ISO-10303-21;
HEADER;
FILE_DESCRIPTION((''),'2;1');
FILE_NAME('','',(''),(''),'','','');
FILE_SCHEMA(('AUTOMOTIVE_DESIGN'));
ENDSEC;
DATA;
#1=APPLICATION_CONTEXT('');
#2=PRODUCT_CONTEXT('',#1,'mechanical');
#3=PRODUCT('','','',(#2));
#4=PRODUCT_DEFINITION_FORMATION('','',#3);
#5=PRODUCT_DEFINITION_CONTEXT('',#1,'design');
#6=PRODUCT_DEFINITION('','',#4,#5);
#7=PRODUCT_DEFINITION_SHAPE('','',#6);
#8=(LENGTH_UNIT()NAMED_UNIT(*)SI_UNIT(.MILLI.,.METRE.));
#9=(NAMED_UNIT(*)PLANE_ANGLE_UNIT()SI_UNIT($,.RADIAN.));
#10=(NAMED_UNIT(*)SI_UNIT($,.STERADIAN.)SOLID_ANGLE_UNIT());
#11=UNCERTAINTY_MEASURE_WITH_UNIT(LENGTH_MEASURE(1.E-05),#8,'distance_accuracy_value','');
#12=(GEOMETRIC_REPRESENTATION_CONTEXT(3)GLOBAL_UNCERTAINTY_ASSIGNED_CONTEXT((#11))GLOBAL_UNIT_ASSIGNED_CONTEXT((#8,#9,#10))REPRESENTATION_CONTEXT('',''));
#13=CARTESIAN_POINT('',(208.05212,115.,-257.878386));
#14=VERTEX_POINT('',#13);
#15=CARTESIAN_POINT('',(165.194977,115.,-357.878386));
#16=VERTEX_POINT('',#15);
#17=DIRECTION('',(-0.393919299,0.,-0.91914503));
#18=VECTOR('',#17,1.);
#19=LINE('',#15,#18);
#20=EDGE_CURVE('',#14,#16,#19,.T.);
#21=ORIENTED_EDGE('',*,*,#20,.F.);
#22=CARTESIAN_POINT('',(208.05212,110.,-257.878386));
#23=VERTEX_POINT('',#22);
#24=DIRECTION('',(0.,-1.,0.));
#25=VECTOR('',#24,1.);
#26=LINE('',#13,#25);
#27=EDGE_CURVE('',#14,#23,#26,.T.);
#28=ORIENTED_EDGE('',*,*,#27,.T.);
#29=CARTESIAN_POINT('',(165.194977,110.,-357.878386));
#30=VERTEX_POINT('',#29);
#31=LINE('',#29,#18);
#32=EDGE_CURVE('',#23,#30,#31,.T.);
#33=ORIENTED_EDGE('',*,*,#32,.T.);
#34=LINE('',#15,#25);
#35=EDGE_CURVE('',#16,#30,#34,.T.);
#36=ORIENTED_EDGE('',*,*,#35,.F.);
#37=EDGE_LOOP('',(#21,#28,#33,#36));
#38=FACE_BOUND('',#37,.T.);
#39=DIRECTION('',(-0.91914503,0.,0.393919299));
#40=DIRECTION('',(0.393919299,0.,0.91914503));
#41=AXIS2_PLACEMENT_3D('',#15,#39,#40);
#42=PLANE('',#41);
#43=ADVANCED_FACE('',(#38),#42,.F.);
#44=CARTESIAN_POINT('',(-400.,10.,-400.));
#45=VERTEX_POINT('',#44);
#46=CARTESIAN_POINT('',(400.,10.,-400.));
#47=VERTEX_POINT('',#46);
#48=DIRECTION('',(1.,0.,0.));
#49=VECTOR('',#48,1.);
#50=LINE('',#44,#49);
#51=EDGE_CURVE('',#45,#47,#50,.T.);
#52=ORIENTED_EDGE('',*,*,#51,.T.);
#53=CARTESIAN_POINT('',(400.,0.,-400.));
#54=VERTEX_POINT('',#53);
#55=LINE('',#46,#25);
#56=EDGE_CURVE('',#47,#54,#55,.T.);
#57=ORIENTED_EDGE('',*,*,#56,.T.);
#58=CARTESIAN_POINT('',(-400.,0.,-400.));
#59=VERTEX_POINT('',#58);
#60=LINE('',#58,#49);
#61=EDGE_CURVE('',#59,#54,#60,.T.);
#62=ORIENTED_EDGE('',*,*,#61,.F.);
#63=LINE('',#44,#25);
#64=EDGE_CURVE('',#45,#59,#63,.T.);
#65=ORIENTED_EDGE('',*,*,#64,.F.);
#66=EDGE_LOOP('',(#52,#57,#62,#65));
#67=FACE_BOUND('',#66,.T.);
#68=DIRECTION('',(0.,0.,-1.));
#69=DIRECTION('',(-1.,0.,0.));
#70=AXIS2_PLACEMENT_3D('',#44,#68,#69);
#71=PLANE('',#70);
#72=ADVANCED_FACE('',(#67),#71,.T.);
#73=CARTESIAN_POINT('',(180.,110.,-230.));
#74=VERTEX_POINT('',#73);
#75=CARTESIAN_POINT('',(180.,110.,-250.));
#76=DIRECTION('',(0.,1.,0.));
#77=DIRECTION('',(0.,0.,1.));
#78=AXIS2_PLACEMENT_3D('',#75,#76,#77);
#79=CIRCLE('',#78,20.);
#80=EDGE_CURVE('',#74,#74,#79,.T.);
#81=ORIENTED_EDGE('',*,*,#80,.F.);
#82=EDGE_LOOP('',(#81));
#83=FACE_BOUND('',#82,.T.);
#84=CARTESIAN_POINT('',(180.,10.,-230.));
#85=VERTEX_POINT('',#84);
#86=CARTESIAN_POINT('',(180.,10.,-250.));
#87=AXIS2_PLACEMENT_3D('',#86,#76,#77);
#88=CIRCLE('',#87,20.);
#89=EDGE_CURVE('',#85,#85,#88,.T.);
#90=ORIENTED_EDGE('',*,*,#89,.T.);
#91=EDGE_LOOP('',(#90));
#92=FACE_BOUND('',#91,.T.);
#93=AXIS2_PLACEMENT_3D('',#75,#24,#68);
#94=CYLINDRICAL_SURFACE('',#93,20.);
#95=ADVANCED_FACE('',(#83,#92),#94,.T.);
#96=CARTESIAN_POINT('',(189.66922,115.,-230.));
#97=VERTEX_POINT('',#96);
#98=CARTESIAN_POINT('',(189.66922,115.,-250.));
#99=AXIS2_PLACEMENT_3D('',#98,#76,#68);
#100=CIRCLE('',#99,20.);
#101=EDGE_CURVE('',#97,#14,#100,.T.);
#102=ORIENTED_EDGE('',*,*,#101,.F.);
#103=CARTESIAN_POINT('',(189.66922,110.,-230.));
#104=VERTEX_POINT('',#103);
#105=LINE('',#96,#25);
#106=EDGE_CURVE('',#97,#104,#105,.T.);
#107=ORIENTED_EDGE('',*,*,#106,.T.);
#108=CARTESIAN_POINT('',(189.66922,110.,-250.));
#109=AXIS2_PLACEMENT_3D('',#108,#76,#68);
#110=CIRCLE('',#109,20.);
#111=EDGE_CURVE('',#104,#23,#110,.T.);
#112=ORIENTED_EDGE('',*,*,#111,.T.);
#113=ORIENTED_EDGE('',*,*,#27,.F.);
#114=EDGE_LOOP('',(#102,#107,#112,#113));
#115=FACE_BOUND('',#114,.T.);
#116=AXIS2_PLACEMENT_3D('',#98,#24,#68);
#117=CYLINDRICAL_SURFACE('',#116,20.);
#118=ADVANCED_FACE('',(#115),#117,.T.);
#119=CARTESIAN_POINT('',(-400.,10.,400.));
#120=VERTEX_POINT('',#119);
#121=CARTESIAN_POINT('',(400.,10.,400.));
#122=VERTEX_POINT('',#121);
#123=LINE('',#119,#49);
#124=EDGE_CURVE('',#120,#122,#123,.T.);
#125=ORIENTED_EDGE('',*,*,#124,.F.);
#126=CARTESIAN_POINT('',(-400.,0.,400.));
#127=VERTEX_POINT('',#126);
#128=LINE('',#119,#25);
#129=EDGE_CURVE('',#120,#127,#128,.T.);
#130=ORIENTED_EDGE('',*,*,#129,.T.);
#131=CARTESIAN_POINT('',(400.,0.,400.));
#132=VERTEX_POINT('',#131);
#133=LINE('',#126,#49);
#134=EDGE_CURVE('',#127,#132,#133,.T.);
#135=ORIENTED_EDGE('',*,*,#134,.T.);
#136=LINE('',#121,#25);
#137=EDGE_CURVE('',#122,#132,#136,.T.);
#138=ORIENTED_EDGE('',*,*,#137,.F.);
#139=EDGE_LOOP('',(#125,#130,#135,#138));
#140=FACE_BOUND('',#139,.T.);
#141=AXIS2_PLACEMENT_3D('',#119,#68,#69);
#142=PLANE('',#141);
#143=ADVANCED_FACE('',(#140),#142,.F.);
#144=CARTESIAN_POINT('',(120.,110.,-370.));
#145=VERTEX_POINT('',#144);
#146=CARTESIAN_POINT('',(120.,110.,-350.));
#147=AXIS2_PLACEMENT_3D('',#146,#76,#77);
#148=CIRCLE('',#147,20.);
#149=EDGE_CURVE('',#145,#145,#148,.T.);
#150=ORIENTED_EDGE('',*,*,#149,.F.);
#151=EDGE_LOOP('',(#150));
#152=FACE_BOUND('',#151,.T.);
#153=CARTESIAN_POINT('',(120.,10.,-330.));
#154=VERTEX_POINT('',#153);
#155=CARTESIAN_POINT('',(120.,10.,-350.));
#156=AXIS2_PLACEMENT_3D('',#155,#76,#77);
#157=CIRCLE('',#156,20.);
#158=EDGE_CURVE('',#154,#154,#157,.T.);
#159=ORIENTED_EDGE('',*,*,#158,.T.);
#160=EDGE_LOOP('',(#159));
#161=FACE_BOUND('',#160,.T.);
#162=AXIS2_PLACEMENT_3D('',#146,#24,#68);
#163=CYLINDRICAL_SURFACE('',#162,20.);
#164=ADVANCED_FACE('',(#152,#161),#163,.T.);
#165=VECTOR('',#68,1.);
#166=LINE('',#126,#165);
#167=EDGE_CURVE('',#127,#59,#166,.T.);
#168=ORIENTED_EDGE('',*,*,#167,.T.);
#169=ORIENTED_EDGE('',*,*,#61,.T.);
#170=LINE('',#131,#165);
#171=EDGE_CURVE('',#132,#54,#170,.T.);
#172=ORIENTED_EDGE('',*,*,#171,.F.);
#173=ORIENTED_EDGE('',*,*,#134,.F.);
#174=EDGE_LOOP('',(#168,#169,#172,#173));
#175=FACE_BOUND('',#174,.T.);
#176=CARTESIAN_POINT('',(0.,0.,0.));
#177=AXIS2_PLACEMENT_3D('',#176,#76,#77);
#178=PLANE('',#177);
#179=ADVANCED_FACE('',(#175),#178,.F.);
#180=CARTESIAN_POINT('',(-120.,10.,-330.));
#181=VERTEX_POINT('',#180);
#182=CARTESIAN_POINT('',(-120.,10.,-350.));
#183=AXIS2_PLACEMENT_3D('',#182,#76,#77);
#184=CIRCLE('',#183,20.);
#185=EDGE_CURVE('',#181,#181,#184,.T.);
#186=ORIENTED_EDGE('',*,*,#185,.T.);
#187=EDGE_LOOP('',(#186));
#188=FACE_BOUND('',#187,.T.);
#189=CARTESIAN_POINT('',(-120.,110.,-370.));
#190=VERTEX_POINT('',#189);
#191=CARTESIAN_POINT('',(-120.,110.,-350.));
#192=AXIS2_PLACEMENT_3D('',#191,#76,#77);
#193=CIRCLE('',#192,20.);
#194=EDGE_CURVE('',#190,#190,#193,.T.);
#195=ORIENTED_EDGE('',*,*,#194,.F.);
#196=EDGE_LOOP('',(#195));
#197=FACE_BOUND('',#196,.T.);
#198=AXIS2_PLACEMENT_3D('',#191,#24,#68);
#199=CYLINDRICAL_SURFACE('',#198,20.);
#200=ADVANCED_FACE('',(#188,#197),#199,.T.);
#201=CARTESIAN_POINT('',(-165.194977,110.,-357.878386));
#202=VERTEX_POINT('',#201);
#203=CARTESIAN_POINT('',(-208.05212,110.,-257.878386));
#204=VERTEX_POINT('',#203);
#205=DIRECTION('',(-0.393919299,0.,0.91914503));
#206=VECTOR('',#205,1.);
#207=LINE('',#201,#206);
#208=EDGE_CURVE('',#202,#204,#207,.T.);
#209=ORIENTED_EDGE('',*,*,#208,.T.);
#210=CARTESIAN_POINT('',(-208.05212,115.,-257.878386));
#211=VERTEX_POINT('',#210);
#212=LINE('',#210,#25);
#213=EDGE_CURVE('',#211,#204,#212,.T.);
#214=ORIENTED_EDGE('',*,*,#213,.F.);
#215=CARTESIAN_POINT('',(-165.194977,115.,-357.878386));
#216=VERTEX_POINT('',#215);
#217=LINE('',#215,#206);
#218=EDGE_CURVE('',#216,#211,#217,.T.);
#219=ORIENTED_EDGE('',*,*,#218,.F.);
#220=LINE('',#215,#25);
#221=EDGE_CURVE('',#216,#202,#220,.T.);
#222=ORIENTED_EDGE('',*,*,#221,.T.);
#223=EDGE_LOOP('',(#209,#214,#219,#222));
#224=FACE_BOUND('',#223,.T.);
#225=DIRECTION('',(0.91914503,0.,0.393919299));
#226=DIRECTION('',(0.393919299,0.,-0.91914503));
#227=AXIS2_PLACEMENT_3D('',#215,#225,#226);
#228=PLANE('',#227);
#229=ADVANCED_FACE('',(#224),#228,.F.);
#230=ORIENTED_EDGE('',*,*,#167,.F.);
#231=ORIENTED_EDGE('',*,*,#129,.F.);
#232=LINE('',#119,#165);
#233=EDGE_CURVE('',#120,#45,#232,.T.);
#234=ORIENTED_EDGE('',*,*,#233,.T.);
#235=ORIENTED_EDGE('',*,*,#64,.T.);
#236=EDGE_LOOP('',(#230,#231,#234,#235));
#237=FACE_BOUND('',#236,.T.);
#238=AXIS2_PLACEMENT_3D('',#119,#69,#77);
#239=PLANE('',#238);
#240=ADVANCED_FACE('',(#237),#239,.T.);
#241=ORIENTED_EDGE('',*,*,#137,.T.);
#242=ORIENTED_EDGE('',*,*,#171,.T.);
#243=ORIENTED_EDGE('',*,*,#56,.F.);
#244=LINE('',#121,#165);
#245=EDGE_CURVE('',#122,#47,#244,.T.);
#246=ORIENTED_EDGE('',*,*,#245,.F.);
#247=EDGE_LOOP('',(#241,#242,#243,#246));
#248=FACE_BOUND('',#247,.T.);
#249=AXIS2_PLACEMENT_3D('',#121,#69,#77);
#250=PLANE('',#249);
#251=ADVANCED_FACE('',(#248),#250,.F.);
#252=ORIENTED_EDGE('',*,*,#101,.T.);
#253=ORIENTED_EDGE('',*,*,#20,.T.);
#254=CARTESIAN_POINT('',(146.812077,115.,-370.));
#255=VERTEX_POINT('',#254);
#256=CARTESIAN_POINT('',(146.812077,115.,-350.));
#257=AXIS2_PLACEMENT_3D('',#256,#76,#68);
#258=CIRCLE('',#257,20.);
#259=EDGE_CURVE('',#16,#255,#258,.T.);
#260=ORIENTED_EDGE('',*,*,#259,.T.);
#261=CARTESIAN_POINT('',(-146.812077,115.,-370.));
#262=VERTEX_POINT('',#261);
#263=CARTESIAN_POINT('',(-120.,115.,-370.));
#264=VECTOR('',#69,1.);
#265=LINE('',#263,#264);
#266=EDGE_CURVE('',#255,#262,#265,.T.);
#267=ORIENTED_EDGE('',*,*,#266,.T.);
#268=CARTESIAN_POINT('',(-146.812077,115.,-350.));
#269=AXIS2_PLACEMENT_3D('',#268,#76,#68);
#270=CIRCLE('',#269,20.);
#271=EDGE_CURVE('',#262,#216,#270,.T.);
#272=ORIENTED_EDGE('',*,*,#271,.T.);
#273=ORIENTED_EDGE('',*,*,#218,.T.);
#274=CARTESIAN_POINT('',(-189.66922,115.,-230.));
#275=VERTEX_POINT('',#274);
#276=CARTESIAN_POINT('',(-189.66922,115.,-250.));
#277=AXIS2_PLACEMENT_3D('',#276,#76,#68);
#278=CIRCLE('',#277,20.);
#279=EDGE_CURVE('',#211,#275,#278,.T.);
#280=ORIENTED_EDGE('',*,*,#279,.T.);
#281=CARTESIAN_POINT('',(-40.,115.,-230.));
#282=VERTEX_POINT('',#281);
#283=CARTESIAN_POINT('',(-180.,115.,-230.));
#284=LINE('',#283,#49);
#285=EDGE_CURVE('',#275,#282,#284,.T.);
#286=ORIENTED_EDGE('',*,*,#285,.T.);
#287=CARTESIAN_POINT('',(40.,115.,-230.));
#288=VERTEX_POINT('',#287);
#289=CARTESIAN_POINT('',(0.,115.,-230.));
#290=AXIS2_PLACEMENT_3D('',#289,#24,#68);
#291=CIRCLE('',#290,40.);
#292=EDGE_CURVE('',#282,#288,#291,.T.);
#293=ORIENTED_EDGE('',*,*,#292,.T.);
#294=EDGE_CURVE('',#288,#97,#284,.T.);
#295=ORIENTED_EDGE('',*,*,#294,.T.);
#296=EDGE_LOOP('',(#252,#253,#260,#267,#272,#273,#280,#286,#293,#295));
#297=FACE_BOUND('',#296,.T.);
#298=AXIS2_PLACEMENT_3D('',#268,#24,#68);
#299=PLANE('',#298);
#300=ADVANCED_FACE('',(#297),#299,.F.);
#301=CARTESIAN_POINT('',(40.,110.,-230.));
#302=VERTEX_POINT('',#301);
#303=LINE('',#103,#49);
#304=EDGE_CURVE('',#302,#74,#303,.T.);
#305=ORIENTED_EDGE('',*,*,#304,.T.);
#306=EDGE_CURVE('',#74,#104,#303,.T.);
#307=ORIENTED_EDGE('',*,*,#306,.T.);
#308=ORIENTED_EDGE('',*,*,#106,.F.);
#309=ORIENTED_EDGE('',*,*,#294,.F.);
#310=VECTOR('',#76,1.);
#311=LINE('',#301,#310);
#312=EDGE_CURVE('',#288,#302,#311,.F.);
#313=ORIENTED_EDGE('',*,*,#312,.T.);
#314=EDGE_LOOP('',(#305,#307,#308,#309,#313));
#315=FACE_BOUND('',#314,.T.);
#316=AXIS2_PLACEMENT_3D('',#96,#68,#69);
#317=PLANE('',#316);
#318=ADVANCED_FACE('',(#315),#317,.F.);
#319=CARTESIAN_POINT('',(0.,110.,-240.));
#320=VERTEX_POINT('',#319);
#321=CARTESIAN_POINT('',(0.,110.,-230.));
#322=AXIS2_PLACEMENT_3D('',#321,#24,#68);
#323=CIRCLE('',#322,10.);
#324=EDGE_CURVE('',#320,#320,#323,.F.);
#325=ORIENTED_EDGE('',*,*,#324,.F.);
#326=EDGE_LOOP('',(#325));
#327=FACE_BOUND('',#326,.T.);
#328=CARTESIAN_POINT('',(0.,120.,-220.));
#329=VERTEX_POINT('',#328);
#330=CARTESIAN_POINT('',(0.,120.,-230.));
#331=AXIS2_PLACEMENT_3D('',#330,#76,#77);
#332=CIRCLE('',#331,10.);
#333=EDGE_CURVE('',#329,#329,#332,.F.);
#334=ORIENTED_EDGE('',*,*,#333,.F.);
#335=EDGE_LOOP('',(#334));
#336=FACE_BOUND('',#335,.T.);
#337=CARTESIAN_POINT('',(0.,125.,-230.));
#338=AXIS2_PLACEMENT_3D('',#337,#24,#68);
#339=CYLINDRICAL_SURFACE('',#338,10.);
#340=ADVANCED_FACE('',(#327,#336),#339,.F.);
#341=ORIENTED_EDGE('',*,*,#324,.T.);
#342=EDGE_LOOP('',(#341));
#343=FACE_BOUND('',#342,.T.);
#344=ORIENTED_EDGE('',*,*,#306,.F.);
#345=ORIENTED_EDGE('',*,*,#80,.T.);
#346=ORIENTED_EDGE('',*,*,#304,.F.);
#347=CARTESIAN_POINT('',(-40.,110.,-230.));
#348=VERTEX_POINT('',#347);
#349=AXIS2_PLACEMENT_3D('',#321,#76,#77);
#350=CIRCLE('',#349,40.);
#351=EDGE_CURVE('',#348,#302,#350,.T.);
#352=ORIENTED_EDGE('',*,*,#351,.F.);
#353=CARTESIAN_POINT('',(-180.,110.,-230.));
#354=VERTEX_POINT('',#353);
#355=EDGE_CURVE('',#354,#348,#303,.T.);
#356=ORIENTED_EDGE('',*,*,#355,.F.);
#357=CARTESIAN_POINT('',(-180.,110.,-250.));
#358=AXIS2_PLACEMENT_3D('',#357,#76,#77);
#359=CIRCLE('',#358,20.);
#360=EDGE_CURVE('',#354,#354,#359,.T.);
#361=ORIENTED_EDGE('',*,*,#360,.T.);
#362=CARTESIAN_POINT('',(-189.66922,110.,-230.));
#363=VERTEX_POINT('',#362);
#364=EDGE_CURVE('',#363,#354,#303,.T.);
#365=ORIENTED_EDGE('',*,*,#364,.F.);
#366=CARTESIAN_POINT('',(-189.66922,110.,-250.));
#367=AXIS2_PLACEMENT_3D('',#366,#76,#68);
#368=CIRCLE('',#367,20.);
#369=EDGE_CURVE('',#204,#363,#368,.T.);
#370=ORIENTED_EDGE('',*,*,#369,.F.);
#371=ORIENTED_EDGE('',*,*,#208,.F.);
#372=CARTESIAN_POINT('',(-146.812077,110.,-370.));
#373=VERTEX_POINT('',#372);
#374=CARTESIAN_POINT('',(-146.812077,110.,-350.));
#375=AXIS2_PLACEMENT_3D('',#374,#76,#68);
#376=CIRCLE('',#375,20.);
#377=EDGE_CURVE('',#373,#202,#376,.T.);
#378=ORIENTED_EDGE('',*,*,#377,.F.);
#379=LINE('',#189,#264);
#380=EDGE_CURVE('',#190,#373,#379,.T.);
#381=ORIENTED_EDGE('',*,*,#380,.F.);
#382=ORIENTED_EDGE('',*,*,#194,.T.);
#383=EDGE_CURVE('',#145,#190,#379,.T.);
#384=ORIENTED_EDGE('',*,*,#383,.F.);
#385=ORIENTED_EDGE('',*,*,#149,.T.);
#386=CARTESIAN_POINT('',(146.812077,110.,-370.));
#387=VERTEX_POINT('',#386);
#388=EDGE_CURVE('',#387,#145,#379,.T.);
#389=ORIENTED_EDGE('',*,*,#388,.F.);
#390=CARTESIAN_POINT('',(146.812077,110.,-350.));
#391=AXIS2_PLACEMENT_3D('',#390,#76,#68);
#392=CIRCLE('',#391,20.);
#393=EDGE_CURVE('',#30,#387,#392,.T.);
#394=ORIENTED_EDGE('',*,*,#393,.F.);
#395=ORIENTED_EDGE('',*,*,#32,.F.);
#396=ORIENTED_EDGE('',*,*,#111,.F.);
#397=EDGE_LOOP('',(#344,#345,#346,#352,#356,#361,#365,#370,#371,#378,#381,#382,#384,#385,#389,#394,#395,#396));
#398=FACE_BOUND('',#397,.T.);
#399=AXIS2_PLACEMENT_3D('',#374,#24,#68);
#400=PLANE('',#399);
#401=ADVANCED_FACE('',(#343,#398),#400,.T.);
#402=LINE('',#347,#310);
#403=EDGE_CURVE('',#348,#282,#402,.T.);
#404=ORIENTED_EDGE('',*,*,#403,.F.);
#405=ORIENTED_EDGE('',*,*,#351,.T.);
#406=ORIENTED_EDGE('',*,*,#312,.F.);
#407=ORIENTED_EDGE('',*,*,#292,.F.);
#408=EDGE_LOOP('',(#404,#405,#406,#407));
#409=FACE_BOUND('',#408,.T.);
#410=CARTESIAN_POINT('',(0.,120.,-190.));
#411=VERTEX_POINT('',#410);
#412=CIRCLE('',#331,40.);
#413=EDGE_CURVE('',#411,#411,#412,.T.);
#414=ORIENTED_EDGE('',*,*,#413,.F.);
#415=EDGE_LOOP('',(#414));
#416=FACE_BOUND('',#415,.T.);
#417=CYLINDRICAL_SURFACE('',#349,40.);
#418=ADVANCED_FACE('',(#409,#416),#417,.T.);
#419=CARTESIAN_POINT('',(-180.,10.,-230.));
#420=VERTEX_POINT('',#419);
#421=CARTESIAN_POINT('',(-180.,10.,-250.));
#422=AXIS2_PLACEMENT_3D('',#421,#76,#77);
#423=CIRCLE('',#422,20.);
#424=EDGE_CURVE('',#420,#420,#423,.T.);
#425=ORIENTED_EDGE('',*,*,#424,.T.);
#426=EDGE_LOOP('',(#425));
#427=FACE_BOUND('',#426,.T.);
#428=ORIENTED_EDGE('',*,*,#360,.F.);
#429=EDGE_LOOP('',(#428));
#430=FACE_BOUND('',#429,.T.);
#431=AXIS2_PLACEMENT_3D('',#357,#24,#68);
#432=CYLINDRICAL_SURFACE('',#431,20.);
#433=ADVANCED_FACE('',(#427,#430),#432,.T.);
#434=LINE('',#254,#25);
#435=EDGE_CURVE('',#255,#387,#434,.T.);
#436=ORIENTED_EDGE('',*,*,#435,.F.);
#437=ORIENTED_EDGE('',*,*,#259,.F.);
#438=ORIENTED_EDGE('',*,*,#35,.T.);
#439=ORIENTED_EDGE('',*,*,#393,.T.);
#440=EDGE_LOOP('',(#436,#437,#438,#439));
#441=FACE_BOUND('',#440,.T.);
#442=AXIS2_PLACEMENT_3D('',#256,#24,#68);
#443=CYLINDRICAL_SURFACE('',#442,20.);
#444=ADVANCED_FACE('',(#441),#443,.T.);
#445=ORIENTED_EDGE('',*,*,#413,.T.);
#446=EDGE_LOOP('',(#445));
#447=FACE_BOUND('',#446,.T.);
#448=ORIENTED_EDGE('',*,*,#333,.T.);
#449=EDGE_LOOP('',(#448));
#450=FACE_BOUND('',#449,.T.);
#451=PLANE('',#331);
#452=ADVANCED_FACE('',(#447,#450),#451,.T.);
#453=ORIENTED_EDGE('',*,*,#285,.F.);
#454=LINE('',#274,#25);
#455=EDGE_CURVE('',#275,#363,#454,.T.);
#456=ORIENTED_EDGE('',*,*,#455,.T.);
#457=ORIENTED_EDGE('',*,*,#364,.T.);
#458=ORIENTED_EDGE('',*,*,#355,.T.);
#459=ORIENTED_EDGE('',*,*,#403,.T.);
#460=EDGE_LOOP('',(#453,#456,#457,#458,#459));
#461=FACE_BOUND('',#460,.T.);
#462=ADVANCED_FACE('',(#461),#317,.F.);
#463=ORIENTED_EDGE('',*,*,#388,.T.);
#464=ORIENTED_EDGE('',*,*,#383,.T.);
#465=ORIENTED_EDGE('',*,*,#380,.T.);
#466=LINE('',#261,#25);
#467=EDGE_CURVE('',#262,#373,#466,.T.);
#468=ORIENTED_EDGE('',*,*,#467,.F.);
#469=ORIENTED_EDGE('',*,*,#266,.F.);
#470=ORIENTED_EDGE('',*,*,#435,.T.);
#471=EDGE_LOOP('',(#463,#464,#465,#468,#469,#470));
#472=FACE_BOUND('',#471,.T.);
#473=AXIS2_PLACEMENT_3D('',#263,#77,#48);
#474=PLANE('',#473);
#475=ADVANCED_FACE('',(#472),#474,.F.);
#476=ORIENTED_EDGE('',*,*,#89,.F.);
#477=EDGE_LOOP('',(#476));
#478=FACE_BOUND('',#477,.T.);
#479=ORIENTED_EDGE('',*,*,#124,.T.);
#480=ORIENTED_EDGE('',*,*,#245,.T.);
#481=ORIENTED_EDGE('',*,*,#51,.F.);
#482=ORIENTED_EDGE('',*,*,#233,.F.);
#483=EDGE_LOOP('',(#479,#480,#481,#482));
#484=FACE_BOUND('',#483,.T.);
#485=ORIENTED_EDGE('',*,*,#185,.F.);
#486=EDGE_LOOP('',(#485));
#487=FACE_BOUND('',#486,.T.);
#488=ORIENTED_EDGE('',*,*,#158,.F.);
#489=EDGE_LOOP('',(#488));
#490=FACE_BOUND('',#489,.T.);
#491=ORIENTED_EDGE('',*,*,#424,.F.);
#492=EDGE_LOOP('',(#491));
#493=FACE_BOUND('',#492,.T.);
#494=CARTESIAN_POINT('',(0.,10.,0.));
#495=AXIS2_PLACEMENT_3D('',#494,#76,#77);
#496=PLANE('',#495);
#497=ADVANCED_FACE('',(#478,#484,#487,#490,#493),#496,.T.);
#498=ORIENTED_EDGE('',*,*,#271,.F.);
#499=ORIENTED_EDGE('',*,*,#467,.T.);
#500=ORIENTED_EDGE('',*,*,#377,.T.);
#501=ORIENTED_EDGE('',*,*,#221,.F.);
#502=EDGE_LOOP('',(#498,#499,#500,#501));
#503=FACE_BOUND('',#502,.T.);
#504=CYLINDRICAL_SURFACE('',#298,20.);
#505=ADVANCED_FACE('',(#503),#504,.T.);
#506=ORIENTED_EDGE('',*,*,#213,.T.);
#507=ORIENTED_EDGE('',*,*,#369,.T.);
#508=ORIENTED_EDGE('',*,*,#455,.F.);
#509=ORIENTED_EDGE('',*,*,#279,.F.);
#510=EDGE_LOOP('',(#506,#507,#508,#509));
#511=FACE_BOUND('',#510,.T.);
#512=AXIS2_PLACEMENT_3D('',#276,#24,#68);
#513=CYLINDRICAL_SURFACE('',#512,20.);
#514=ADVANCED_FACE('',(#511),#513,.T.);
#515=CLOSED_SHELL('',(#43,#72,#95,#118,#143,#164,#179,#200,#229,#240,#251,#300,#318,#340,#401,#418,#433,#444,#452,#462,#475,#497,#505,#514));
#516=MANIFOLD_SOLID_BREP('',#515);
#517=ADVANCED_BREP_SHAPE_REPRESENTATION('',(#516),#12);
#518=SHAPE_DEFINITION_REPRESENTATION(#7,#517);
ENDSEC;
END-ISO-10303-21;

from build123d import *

# Parameters (mm, degrees)
SKETCH1_W                = 800
SKETCH1_H                = 800
BOSS_EXTRUDE4_DEPTH      = 10
SKETCH6_R                = 20
BOSS_EXTRUDE5_DEPTH      = 100
BOSS_EXTRUDE6_DEPTH      = 5
BOSS_EXTRUDE7_DEPTH      = 5
BOSS_EXTRUDE7_DEPTH_BACK = 5
SKETCH8_R                = 40
CUT_EXTRUDE1_DEPTH       = 5
CUT_EXTRUDE1_DEPTH_BACK  = 24
SKETCH9_R                = 10


with BuildPart() as part:
    # Sketch1 → Boss-Extrude4 (new body)
    with BuildSketch(Plane(origin=(0, 0, 0), x_dir=(1, 0, 0), z_dir=(0, 1, 0))):
        Rectangle(SKETCH1_W, SKETCH1_H)
    extrude(amount=BOSS_EXTRUDE4_DEPTH)

    # Sketch6 → Boss-Extrude5 (add)
    with BuildSketch(Plane(origin=(0, 10, 0), x_dir=(1, 0, 0), z_dir=(0, 1, 0))):
        with Locations(Location((120, 350, 0), (0, 0, 270))):
            Circle(SKETCH6_R)
        with Locations(Location((-120, 350, 0), (0, 0, 270))):
            Circle(SKETCH6_R)
        with Locations(Location((-180, 250, 0), (0, 0, 270))):
            Circle(SKETCH6_R)
        with Locations(Location((180, 250, 0), (0, 0, 270))):
            Circle(SKETCH6_R)
    extrude(amount=BOSS_EXTRUDE5_DEPTH)

    # Sketch7 → Boss-Extrude6 (add)
    with BuildSketch(Plane(origin=(0, 110, 0), x_dir=(1, 0, 0), z_dir=(0, 1, 0))):
        with BuildLine():
            Line((-120, 370), (120, 370))
            Line((120, 370), (146.81207684, 370))
            ThreePointArc((146.81207684, 370), (157.821897015, 366.696821845), (165.194977441, 357.878385972))
            Line((165.194977441, 357.878385972), (208.052120298, 257.878385972))
            ThreePointArc((208.052120298, 257.878385972), (206.366041542, 238.990179825), (189.669219698, 230))
            Line((189.669219698, 230), (180, 230))
            Line((180, 230), (-180, 230))
            Line((-180, 230), (-189.669219698, 230))
            ThreePointArc((-189.669219698, 230), (-206.366041542, 238.990179825), (-208.052120298, 257.878385972))
            Line((-208.052120298, 257.878385972), (-165.194977441, 357.878385972))
            ThreePointArc((-165.194977441, 357.878385972), (-157.821897015, 366.696821845), (-146.81207684, 370))
            Line((-146.81207684, 370), (-120, 370))
        make_face()
    extrude(amount=BOSS_EXTRUDE6_DEPTH)

    # Sketch8 → Boss-Extrude7 (add, two sides: drawn at the far end of the back side and taken through both)
    with BuildSketch(Plane(origin=(0, 115, 0), x_dir=(1, 0, 0), z_dir=(0, 1, 0)).offset(-BOSS_EXTRUDE7_DEPTH_BACK)):
        with Locations(Location((0, 230, 0), (0, 0, 270))):
            Circle(SKETCH8_R)
    extrude(amount=BOSS_EXTRUDE7_DEPTH + BOSS_EXTRUDE7_DEPTH_BACK)

    # Sketch9 → Cut-Extrude1 (cut, two sides: drawn at the far end of the back side and taken through both)
    with BuildSketch(Plane(origin=(0, 120, 0), x_dir=(1, 0, 0), z_dir=(0, 1, 0)).offset(-CUT_EXTRUDE1_DEPTH_BACK)):
        with Locations(Location((0, 230, 0), (0, 0, 90))):
            Circle(SKETCH9_R)
    extrude(amount=CUT_EXTRUDE1_DEPTH + CUT_EXTRUDE1_DEPTH_BACK, mode=Mode.SUBTRACT)


solid = part.part
